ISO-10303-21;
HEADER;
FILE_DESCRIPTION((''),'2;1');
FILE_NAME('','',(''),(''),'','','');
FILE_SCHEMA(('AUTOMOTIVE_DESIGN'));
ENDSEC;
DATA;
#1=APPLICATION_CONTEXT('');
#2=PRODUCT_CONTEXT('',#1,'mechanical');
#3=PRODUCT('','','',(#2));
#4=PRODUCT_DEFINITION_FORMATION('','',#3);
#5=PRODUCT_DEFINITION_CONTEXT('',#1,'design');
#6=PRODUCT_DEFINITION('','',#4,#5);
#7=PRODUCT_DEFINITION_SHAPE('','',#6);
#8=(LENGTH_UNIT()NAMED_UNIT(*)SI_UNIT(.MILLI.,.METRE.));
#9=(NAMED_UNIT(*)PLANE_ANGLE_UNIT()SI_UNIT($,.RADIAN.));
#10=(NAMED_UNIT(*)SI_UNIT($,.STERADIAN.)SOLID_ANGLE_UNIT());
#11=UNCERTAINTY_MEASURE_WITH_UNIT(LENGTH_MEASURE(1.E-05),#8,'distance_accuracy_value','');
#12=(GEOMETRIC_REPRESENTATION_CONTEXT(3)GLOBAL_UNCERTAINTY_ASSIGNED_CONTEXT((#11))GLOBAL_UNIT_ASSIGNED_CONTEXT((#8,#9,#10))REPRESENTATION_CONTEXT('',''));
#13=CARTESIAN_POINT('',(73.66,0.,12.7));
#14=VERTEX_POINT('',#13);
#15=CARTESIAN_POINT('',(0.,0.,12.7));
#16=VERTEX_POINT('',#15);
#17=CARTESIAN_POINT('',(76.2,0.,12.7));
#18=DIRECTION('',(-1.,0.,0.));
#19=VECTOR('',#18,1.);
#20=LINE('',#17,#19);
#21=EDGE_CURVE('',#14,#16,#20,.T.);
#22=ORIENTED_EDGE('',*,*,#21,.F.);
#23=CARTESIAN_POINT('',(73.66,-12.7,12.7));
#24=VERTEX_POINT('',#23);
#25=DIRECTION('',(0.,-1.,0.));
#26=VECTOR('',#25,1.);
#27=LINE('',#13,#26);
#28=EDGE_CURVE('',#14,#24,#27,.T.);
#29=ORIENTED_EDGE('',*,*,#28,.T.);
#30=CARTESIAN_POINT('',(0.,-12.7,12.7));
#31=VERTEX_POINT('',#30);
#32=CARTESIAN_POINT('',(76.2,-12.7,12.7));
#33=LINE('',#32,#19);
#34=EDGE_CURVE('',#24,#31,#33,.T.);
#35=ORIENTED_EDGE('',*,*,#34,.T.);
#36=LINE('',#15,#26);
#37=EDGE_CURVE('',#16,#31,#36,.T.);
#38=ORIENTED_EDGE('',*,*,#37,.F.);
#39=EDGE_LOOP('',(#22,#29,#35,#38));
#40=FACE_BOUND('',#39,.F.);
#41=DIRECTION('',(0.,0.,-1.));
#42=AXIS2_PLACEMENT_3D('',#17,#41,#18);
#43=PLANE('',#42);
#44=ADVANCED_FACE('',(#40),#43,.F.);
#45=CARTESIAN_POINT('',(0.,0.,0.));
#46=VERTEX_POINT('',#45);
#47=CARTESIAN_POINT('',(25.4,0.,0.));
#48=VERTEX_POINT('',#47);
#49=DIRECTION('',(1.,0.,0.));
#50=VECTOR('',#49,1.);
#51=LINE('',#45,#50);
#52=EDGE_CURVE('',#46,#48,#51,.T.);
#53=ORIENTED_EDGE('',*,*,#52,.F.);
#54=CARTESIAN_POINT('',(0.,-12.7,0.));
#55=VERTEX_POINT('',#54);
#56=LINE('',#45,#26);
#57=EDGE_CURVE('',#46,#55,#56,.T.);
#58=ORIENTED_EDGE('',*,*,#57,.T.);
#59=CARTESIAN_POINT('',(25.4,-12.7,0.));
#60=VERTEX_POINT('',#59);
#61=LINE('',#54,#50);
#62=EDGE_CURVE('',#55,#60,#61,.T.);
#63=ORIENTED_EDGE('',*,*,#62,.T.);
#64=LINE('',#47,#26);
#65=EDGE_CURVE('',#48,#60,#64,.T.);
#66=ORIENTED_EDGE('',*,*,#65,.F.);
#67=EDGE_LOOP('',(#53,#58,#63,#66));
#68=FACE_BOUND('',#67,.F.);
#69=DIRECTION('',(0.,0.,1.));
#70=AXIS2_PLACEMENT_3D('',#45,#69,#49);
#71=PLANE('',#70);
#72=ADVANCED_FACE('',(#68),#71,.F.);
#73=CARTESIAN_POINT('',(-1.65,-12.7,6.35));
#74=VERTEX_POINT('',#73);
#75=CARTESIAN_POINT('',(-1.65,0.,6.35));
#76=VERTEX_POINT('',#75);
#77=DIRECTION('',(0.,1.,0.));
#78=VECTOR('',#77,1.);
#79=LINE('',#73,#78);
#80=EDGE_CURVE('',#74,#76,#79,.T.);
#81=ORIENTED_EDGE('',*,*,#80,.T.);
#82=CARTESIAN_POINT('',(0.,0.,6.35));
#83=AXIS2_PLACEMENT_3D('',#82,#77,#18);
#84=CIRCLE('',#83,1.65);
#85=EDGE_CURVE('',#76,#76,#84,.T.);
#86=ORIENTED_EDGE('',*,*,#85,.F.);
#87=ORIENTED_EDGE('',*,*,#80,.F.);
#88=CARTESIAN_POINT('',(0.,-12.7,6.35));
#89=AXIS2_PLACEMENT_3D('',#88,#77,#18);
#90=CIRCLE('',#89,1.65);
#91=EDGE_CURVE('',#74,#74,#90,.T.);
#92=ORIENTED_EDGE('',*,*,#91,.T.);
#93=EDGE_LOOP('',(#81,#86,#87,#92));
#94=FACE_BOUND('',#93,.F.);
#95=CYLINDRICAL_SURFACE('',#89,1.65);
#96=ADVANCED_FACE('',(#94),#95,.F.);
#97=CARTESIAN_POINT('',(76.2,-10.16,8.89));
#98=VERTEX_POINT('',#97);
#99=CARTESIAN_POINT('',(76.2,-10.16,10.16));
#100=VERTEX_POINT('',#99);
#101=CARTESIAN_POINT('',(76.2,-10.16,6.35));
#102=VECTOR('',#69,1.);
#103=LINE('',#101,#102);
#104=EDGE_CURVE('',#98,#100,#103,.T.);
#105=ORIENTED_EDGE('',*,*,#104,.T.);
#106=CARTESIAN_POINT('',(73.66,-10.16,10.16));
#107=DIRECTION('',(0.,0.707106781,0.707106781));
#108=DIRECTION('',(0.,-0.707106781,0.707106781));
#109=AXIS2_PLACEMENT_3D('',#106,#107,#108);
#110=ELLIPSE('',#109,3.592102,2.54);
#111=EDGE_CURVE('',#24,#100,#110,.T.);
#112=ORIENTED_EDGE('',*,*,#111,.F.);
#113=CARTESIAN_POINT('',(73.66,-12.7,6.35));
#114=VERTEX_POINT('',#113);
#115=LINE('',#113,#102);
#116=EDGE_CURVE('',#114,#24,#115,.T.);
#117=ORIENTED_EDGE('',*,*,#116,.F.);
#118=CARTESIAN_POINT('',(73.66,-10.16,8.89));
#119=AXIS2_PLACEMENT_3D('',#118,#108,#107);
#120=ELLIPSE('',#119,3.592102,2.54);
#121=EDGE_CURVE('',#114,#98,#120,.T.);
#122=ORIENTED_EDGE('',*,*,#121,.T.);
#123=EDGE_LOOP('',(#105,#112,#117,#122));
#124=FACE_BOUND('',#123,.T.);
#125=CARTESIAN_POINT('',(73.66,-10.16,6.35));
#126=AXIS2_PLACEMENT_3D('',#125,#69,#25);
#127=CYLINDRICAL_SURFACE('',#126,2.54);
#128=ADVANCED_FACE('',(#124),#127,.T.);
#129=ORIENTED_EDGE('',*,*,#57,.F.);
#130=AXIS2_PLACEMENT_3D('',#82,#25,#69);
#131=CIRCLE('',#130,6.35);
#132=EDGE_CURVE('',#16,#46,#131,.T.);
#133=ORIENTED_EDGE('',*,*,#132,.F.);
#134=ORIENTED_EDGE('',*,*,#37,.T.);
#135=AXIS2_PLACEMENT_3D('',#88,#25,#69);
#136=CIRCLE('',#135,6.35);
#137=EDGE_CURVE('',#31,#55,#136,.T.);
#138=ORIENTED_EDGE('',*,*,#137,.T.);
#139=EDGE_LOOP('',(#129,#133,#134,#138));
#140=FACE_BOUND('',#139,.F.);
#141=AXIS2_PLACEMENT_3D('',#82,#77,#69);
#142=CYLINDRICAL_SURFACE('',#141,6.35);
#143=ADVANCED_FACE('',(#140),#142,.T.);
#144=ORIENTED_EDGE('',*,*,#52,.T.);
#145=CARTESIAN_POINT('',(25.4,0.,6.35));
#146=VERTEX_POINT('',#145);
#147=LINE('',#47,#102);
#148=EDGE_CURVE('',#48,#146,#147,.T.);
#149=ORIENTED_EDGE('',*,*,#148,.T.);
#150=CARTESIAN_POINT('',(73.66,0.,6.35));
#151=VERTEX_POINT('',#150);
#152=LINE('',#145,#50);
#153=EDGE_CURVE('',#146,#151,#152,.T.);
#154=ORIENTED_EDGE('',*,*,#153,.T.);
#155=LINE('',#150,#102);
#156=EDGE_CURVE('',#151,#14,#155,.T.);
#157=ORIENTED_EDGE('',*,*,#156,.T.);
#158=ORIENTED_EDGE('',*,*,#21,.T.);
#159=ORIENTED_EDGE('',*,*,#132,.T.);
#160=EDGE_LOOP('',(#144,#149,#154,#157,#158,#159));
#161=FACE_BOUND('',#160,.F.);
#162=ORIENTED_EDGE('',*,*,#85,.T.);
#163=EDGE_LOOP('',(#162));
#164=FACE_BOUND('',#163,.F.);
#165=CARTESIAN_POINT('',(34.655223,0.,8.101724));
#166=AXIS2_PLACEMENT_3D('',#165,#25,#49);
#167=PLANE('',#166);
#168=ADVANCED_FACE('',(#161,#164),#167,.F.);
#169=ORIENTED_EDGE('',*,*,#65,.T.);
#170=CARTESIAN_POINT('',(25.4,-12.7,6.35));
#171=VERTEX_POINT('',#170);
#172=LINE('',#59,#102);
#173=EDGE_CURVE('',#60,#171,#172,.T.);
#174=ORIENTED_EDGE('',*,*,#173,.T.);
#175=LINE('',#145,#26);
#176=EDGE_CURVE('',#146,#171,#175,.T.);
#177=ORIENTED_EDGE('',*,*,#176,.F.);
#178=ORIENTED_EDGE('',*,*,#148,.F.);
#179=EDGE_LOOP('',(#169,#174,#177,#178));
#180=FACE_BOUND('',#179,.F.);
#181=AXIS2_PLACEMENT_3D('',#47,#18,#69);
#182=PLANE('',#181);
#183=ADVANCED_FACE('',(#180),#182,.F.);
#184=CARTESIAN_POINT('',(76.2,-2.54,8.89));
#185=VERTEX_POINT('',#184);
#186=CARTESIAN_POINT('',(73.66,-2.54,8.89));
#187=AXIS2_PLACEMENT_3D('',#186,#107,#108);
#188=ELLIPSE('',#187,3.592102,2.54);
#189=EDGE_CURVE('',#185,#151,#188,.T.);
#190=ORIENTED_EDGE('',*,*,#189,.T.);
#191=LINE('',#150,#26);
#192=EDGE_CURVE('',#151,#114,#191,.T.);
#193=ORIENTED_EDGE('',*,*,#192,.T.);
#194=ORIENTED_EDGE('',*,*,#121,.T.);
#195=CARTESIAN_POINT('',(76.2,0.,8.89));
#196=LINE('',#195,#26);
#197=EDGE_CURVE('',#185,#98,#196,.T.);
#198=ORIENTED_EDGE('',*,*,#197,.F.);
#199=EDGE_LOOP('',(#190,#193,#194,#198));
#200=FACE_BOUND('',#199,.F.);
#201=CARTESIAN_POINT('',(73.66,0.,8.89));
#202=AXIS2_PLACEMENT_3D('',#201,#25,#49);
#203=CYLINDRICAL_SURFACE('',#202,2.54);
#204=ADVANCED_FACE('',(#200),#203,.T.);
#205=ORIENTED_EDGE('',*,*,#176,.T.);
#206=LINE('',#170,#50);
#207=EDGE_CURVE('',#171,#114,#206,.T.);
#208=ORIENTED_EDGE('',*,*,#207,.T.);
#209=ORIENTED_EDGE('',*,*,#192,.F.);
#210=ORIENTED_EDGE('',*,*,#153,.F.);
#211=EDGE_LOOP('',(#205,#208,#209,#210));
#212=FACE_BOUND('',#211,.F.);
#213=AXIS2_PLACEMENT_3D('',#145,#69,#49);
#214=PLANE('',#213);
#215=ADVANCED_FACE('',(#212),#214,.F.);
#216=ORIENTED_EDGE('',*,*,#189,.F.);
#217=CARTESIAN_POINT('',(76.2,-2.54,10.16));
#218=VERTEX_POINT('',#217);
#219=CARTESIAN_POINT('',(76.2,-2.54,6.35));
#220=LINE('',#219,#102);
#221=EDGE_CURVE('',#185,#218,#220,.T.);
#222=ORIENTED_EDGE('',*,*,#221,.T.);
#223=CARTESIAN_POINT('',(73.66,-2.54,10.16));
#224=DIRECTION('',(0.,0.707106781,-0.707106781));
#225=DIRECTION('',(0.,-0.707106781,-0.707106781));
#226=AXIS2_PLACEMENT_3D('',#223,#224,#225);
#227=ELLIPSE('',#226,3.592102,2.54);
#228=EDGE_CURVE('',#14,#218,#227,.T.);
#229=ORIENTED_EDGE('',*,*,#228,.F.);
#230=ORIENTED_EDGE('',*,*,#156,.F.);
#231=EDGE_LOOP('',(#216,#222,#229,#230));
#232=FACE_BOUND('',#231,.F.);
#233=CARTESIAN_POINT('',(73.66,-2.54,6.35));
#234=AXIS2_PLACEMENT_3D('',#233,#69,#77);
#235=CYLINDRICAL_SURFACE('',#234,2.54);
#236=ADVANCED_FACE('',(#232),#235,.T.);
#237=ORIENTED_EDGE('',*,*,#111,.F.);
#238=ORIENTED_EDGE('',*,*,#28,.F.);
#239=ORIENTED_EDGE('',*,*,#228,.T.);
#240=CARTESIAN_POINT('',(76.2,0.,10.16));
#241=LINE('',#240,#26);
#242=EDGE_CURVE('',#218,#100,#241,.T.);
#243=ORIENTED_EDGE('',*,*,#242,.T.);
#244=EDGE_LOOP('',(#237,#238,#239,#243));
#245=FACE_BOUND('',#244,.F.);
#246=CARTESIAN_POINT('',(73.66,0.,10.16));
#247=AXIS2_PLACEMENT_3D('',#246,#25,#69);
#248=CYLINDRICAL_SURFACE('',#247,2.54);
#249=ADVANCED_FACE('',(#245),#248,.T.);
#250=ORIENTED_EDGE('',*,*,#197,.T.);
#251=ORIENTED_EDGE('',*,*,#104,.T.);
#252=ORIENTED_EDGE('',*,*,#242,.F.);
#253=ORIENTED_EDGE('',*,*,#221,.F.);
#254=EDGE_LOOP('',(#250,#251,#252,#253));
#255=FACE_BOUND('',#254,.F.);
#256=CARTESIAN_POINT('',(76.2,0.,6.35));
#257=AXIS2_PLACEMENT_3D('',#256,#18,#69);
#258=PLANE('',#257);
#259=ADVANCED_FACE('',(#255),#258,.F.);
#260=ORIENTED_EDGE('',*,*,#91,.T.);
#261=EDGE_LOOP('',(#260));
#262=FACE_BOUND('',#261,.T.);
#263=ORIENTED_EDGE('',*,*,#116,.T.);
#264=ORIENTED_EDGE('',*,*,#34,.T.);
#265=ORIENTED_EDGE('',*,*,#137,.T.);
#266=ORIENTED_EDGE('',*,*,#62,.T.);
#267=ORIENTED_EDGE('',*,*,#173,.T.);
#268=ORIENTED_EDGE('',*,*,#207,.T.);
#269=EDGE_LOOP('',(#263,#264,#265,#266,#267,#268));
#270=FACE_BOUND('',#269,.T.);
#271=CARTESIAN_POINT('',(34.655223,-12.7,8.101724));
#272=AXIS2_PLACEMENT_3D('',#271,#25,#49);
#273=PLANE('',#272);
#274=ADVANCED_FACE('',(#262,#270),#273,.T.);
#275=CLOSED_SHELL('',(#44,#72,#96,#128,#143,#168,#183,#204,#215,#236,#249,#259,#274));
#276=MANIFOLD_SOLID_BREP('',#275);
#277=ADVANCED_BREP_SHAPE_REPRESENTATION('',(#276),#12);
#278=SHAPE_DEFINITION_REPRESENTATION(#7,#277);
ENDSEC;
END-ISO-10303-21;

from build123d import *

# Parameters (mm, degrees)
F1_DEPTH       = 12.7
F3_D           = 3.3
F3_CBORE_D     = 6.5
F3_CBORE_DEPTH = 0
F4_R           = 2.54


with BuildPart() as f1:
    # F0 (on Front) → F1 (new body)
    with BuildSketch(Plane.XZ):
        with BuildLine():
            ThreePointArc((0, 12.7), (-6.35, 6.35), (0, 0))
            Line((0, 0), (25.4, 0))
            Line((25.4, 0), (25.4, 6.35))
            Line((25.4, 6.35), (76.2, 6.35))
            Line((76.2, 6.35), (76.2, 12.7))
            Line((76.2, 12.7), (19.05, 12.7))
            Line((19.05, 12.7), (0, 12.7))
        make_face()
    extrude(amount=F1_DEPTH)

    # F3 (through all)
    with Locations(Plane.XZ.offset(12.7)):
        with Locations((0, 6.35)):
            CounterBoreHole(F3_D / 2, F3_CBORE_D / 2, F3_CBORE_DEPTH)

    # F4
    f4_edges = [f1.edges().sort_by_distance(p)[0] for p in [
        (76.2, -12.7, 9.525),
        (76.2, -6.35, 6.35),
        (76.2, -6.35, 12.7),
        (76.2, 0, 9.525),
    ]]
    fillet(f4_edges, radius=F4_R)


solid = f1.part
